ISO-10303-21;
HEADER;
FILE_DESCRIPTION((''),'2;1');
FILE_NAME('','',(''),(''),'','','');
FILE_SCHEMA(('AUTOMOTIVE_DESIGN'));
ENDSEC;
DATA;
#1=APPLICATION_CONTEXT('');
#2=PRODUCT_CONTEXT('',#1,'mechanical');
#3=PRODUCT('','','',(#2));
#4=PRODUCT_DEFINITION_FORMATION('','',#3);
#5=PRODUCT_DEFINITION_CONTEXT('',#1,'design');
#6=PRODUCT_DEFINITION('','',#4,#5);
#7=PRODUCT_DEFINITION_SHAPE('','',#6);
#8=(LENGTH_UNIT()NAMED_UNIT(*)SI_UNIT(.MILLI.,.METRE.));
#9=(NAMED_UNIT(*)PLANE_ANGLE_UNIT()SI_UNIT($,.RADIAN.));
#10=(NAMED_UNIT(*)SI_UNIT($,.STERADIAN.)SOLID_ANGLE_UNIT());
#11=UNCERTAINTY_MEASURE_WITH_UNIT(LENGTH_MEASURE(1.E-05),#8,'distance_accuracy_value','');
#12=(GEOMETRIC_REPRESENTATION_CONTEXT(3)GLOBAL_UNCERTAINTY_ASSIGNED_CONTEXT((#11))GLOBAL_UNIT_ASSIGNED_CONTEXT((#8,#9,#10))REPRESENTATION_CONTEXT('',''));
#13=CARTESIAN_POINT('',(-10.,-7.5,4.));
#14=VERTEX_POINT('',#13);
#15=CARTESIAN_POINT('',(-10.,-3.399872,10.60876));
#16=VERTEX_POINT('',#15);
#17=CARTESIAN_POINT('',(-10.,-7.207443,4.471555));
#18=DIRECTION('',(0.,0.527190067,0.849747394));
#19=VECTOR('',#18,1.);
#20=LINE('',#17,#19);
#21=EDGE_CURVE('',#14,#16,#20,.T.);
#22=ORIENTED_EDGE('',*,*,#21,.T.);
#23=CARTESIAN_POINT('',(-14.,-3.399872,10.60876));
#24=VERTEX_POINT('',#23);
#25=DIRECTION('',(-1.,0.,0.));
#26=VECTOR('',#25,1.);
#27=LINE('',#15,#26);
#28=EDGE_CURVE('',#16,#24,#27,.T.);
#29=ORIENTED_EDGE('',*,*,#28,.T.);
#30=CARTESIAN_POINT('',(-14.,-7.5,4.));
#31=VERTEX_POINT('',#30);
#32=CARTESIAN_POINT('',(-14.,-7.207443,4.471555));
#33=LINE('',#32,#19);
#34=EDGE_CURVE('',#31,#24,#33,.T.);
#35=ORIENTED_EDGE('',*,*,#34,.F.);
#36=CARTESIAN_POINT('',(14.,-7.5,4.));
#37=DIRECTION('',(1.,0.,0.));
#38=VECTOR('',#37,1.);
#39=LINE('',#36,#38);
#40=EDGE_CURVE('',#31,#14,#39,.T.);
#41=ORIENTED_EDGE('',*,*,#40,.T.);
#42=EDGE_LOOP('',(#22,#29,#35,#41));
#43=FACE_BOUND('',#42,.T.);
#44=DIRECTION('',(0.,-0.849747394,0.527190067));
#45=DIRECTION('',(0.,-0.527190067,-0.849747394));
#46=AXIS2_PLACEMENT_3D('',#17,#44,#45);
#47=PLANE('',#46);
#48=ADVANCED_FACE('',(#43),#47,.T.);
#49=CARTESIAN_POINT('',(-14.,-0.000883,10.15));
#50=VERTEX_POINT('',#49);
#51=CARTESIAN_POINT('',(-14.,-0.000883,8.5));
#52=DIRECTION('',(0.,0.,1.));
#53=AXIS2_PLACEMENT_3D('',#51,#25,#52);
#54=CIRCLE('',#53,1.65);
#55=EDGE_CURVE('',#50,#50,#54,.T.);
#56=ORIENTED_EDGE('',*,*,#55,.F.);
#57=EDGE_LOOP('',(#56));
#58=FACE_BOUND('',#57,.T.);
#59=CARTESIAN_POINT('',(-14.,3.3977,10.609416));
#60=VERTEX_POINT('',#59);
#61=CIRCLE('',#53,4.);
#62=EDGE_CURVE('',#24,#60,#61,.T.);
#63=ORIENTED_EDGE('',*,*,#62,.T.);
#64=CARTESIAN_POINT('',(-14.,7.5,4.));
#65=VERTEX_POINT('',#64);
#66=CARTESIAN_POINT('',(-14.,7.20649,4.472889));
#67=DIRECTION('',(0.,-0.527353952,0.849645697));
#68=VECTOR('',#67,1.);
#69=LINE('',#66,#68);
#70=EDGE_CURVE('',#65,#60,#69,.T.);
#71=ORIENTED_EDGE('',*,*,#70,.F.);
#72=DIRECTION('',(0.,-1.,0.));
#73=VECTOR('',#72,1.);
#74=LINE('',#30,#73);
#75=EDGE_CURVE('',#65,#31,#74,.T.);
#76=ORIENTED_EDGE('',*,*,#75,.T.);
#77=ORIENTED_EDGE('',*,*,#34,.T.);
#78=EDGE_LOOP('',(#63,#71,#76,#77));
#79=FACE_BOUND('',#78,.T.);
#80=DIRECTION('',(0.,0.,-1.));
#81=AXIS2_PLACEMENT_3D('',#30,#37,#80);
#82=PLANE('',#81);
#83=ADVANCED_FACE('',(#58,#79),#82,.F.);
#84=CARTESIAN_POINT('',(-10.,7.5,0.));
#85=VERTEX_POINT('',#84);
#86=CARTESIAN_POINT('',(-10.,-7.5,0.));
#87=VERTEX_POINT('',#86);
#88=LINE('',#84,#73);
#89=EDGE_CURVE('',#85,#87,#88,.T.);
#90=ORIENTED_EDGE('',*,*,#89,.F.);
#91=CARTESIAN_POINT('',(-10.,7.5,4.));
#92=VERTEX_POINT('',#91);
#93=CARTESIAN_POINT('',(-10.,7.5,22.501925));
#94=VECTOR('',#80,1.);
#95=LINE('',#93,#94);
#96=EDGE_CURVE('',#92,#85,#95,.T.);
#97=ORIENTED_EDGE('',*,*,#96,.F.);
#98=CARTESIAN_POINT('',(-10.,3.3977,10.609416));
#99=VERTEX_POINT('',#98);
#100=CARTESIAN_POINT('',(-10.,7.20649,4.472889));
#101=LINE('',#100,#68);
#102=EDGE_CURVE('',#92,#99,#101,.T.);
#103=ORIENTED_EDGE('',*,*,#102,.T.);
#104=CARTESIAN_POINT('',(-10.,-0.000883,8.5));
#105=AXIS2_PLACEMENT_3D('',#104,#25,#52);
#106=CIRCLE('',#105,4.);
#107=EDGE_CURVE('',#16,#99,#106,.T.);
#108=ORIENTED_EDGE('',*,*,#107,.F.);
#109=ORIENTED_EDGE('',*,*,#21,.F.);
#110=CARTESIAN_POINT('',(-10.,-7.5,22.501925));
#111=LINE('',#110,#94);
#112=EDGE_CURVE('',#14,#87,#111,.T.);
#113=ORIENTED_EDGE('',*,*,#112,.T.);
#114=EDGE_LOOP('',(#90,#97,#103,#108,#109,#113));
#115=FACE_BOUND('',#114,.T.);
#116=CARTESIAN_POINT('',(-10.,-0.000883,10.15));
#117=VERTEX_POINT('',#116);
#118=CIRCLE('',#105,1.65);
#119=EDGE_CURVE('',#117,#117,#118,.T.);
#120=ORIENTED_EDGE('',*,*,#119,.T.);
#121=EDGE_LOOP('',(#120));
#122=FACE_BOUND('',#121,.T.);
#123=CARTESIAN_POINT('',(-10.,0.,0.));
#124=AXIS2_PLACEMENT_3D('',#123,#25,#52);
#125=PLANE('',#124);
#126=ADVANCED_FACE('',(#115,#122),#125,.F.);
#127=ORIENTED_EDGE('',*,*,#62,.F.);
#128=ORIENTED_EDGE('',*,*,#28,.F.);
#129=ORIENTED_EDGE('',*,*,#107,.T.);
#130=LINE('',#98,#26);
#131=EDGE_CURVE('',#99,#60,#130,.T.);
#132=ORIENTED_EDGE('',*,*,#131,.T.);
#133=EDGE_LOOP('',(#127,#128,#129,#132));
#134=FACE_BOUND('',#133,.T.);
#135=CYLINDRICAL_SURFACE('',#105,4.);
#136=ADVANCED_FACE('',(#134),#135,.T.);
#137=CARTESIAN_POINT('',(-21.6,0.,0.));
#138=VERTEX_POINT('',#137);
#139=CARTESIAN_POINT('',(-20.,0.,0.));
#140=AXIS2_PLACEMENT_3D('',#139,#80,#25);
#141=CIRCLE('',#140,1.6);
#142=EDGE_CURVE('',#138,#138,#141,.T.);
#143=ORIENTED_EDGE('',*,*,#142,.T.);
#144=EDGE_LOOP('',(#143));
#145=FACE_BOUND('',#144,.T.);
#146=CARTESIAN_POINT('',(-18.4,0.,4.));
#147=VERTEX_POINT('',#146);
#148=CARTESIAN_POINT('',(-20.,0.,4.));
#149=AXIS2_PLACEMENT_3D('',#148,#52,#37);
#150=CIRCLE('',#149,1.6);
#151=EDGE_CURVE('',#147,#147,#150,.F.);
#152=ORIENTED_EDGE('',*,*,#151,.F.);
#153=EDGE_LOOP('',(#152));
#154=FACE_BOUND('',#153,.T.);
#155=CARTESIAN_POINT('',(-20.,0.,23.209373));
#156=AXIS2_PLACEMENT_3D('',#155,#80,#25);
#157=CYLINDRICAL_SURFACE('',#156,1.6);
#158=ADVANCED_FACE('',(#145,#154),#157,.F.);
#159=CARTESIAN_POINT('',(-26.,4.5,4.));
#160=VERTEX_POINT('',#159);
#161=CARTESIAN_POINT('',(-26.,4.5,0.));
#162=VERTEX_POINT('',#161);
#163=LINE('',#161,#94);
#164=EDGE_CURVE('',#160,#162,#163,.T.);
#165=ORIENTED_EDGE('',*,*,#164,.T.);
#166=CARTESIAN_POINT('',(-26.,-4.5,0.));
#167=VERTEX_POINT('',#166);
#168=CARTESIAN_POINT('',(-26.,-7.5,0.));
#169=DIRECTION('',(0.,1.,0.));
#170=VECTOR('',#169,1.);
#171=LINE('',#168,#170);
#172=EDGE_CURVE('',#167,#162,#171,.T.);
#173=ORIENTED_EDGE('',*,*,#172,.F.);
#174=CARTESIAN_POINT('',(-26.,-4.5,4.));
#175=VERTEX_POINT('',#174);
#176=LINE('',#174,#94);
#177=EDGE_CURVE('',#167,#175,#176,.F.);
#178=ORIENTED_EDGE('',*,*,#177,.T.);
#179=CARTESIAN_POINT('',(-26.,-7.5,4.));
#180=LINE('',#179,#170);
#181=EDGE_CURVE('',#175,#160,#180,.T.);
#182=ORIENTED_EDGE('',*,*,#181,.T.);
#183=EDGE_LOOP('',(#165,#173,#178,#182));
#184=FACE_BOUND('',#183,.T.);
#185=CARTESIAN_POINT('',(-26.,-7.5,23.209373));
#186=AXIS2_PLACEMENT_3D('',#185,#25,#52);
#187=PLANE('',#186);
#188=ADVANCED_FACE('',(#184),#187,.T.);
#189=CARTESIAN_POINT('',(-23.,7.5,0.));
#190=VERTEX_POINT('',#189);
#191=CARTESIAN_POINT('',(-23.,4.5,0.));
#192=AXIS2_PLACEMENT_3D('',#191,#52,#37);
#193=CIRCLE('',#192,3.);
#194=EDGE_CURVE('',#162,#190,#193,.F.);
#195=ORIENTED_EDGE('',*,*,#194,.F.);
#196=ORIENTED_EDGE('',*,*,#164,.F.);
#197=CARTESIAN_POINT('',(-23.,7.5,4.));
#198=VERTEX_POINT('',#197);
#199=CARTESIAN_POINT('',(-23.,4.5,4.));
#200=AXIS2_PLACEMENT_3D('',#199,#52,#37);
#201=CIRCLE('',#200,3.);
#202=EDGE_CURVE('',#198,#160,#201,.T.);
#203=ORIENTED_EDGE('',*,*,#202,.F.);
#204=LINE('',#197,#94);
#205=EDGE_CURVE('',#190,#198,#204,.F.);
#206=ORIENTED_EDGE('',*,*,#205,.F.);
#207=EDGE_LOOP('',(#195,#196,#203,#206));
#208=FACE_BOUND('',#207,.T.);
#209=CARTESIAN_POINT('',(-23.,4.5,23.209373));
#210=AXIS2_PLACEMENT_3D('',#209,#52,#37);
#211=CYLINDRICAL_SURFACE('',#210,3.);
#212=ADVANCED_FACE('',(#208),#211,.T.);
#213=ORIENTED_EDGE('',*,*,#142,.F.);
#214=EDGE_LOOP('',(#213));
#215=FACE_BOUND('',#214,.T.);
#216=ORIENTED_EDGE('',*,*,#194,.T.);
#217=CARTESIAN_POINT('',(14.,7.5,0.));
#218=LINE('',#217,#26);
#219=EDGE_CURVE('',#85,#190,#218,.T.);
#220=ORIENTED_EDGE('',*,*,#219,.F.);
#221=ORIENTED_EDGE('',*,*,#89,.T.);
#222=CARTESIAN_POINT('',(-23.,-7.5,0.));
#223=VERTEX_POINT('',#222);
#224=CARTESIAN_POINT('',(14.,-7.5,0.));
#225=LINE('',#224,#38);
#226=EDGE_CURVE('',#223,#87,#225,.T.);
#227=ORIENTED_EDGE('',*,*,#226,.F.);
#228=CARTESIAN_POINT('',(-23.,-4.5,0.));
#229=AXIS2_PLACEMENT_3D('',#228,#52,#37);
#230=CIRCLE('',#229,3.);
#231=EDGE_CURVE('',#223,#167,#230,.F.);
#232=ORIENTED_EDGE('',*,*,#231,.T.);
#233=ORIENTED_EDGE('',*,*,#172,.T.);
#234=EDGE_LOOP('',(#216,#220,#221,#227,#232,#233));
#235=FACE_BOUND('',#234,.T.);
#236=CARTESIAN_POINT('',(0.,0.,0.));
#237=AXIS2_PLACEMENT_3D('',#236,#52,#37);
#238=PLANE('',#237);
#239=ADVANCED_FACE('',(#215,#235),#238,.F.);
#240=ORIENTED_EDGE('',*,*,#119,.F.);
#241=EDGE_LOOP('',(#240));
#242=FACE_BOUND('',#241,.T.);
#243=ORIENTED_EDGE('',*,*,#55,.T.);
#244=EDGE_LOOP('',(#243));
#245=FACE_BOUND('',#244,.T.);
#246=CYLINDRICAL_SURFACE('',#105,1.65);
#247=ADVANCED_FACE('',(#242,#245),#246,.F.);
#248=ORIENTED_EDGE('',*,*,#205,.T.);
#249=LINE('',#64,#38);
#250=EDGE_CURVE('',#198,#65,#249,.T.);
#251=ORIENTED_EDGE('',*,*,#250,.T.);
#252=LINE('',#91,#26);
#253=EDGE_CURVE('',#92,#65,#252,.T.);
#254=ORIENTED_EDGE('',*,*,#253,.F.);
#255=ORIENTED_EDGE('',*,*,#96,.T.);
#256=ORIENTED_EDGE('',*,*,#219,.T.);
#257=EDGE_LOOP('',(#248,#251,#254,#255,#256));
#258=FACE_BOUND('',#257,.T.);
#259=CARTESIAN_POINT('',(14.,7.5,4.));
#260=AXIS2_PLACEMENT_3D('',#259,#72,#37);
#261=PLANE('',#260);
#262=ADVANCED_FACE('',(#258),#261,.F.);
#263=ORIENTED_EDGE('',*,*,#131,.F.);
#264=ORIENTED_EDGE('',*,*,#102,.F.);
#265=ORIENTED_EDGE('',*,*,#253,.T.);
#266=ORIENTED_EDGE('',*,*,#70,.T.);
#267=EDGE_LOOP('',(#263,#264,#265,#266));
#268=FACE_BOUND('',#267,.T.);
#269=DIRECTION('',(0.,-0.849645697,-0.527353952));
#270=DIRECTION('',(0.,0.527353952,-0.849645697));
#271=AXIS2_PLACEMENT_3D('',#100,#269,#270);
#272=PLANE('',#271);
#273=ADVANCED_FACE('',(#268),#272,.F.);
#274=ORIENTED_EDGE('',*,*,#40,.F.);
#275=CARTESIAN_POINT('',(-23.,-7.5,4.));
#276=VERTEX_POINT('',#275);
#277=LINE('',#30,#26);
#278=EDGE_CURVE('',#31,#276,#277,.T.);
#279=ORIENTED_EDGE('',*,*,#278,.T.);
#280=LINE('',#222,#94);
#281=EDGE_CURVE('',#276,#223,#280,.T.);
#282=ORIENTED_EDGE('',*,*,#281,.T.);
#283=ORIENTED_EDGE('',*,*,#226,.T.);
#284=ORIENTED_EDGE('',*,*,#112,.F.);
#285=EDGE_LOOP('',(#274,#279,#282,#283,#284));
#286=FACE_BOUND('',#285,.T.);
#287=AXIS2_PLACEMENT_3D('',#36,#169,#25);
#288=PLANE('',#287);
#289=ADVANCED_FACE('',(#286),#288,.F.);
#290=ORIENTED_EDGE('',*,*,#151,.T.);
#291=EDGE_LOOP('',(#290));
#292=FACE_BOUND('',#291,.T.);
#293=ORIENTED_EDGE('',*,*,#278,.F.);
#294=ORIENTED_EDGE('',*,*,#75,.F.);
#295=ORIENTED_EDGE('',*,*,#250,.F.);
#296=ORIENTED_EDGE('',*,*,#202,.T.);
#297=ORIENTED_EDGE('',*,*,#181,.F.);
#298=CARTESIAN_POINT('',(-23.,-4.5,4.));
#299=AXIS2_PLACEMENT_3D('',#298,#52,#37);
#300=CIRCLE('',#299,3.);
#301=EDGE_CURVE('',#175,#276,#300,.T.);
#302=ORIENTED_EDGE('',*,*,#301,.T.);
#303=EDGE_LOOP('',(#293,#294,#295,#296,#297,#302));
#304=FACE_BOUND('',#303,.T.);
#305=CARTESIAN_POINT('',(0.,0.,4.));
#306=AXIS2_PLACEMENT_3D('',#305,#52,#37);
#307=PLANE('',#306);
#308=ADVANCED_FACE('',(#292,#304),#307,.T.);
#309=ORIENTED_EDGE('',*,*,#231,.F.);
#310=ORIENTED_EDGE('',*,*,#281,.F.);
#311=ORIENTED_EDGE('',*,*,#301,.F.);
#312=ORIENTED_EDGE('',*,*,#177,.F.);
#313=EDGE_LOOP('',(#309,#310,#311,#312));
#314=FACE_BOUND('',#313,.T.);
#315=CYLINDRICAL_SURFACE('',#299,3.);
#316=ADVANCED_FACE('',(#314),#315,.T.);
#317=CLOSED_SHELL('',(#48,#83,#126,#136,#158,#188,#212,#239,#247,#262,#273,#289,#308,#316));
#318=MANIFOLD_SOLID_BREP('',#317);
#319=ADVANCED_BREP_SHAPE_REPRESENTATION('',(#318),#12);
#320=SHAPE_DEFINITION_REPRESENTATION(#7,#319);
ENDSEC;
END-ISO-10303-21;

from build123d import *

# Parameters (mm, degrees)
SKETCH1_W           = 28
SKETCH1_H           = 15
BOSS_EXTRUDE1_DEPTH = 4
SKETCH3_R           = 4
SKETCH3_R_2         = 1.65
BOSS_EXTRUDE2_DEPTH = 4
SKETCH5_W           = 12
SKETCH5_H           = 15
SKETCH5_R           = 1.6
BOSS_EXTRUDE3_DEPTH = 4
FILLET1_R           = 3
CUT_EXTRUDE1_DEPTH  = 15


with BuildPart() as part:
    # Sketch1 → Boss-Extrude1 (new body)
    with BuildSketch(Plane.XY):
        Rectangle(SKETCH1_W, SKETCH1_H)
    extrude(amount=BOSS_EXTRUDE1_DEPTH)

    # Sketch3 → Boss-Extrude2 (add)
    with BuildSketch(Plane.ZY.offset(14)):
        with BuildLine():
            Line((10.609415807, 3.397699996), (4, 7.5))
            Line((4, 7.5), (4, -7.5))
            Line((4, -7.5), (10.608760269, -3.399872364))
            ThreePointArc((10.608760269, -3.399872364), (4.500000019, -0.000497042), (10.609415807, 3.397699996))
        make_face()
        with Locations((8.5, -0.00088279)):
            Circle(SKETCH3_R)
        with Locations((8.5, -0.00088279)):
            Circle(SKETCH3_R_2, mode=Mode.SUBTRACT)
    boss_extrude2 = extrude(amount=-BOSS_EXTRUDE2_DEPTH)

    # Sketch5 → Boss-Extrude3 (add)
    with BuildSketch(Plane(origin=(0, 0, 0), x_dir=(-1, 0, 0), z_dir=(0, 0, -1))):
        with Locations((20, 0)):
            Rectangle(SKETCH5_W, SKETCH5_H)
        with Locations((20, 0)):
            Circle(SKETCH5_R, mode=Mode.SUBTRACT)
    boss_extrude3 = extrude(amount=-BOSS_EXTRUDE3_DEPTH)

    # Mirror1: Boss-Extrude2, Boss-Extrude3 across plane
    add(boss_extrude2.mirror(Plane(origin=(0, 0, 0), x_dir=(0, 0, 1), z_dir=(1, 0, 0))))
    add(boss_extrude3.mirror(Plane(origin=(0, 0, 0), x_dir=(0, 0, 1), z_dir=(1, 0, 0))))

    # Fillet1
    fillet1_edges = [part.edges().sort_by_distance(p)[0] for p in [
        (-26, 7.5, 2),
        (-26, -7.5, 2),
        (26, 7.5, 2),
        (26, -7.5, 2),
    ]]
    fillet(fillet1_edges, radius=FILLET1_R)

    # Sketch6 → Cut-Extrude1 (cut)
    with BuildSketch(Plane.XZ.offset(7.5)):
        Polygon((0, 0), (37.280314588, 0), (37.280314588, 22.501925167), (0, 22.501925167), (-10, 22.501925167), (-10, 0), align=None)
    extrude(amount=-CUT_EXTRUDE1_DEPTH, mode=Mode.SUBTRACT)


solid = part.part
